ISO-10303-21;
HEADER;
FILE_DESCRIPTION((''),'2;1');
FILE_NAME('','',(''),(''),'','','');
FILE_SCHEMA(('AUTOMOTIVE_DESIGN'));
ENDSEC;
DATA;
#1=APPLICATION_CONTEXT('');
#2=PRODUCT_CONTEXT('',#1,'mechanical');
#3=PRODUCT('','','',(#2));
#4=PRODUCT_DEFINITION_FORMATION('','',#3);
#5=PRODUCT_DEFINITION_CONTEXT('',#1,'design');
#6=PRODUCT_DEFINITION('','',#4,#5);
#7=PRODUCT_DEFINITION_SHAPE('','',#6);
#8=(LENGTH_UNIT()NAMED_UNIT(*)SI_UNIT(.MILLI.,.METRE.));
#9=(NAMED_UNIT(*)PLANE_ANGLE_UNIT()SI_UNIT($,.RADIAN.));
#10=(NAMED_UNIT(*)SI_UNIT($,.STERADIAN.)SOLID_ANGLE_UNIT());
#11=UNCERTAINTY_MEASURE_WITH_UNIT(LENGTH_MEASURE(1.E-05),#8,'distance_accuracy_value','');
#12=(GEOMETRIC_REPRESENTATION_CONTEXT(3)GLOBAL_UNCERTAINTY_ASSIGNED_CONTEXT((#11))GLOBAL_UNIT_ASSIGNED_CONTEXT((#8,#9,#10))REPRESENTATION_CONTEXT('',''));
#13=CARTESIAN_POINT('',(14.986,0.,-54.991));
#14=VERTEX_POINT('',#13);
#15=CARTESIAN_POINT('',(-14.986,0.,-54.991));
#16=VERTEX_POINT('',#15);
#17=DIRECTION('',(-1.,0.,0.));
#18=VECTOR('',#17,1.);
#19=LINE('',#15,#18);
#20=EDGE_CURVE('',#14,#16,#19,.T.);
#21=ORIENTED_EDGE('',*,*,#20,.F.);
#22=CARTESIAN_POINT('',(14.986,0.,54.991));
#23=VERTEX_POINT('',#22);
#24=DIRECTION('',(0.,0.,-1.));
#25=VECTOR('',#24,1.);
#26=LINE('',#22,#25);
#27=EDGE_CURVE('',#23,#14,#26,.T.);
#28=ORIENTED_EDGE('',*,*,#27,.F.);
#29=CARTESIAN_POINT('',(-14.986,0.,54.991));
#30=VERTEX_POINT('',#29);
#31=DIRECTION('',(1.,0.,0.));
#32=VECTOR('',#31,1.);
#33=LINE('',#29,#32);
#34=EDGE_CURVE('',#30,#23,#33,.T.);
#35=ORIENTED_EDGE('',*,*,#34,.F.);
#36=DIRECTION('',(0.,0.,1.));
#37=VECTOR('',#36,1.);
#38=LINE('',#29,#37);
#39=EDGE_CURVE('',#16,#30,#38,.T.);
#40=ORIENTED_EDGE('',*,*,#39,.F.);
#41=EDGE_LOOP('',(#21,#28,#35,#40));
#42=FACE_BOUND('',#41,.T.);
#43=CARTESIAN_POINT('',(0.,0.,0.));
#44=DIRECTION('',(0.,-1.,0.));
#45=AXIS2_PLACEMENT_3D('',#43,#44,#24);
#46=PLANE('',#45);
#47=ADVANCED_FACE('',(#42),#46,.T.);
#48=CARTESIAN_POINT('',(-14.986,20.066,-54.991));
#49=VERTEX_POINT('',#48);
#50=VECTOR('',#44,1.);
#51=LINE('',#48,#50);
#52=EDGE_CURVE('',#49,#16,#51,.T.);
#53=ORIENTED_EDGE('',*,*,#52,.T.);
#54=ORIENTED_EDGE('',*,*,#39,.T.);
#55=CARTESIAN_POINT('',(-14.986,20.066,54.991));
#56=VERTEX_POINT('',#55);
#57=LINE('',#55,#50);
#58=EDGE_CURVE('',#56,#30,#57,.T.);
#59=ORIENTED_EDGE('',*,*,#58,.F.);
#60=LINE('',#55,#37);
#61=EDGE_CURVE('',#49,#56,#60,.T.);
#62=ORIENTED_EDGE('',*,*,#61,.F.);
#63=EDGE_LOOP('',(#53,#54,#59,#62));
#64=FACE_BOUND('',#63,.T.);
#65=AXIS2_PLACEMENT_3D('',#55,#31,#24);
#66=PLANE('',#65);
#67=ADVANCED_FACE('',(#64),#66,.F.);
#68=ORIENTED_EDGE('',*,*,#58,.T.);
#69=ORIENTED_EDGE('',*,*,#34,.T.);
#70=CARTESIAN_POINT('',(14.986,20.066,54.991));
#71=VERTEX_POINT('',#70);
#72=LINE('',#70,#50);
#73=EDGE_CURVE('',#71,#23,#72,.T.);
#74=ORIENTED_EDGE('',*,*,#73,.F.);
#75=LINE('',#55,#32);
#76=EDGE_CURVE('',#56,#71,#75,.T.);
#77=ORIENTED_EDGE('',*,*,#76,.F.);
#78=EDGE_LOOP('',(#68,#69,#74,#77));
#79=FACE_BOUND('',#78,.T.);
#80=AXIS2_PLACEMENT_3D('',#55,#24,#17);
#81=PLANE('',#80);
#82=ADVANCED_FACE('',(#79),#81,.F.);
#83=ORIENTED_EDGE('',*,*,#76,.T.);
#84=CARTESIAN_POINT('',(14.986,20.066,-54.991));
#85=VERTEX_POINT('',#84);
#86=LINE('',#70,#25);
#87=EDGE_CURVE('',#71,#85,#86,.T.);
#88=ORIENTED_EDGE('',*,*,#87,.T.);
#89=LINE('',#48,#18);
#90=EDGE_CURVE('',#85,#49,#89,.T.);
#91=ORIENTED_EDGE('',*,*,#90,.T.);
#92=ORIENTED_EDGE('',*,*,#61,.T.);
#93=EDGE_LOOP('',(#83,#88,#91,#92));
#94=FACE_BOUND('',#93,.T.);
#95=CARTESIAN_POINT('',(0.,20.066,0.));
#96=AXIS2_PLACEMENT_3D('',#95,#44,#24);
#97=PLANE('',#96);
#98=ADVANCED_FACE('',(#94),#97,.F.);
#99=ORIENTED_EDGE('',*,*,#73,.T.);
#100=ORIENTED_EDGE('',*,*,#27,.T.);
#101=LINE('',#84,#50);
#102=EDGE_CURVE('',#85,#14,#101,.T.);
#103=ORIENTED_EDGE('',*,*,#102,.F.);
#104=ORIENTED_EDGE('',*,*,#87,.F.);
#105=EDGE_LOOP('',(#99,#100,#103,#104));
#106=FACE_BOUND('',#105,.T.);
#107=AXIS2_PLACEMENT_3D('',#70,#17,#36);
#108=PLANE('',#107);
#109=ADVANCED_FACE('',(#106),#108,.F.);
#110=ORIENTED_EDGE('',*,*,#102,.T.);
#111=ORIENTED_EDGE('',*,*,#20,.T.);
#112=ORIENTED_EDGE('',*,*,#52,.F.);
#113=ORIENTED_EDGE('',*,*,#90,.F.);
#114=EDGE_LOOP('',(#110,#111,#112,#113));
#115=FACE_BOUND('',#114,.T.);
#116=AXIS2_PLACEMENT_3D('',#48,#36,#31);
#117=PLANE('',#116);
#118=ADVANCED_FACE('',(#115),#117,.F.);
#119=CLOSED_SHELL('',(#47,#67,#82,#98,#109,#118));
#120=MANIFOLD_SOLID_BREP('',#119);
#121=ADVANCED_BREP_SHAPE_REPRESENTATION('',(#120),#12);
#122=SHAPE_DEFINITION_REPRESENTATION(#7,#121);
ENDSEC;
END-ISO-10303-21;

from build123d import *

# Parameters (mm, degrees)
CROQUIS1_W              = 29.972
CROQUIS1_H              = 109.982
SALIENTE_EXTRUIR1_DEPTH = 20.066


with BuildPart() as part:
    # Croquis1 → Saliente-Extruir1 (new body)
    with BuildSketch(Plane(origin=(0, 0, 0), x_dir=(1, 0, 0), z_dir=(0, 1, 0))):
        Rectangle(CROQUIS1_W, CROQUIS1_H)
    extrude(amount=SALIENTE_EXTRUIR1_DEPTH)


solid = part.part
